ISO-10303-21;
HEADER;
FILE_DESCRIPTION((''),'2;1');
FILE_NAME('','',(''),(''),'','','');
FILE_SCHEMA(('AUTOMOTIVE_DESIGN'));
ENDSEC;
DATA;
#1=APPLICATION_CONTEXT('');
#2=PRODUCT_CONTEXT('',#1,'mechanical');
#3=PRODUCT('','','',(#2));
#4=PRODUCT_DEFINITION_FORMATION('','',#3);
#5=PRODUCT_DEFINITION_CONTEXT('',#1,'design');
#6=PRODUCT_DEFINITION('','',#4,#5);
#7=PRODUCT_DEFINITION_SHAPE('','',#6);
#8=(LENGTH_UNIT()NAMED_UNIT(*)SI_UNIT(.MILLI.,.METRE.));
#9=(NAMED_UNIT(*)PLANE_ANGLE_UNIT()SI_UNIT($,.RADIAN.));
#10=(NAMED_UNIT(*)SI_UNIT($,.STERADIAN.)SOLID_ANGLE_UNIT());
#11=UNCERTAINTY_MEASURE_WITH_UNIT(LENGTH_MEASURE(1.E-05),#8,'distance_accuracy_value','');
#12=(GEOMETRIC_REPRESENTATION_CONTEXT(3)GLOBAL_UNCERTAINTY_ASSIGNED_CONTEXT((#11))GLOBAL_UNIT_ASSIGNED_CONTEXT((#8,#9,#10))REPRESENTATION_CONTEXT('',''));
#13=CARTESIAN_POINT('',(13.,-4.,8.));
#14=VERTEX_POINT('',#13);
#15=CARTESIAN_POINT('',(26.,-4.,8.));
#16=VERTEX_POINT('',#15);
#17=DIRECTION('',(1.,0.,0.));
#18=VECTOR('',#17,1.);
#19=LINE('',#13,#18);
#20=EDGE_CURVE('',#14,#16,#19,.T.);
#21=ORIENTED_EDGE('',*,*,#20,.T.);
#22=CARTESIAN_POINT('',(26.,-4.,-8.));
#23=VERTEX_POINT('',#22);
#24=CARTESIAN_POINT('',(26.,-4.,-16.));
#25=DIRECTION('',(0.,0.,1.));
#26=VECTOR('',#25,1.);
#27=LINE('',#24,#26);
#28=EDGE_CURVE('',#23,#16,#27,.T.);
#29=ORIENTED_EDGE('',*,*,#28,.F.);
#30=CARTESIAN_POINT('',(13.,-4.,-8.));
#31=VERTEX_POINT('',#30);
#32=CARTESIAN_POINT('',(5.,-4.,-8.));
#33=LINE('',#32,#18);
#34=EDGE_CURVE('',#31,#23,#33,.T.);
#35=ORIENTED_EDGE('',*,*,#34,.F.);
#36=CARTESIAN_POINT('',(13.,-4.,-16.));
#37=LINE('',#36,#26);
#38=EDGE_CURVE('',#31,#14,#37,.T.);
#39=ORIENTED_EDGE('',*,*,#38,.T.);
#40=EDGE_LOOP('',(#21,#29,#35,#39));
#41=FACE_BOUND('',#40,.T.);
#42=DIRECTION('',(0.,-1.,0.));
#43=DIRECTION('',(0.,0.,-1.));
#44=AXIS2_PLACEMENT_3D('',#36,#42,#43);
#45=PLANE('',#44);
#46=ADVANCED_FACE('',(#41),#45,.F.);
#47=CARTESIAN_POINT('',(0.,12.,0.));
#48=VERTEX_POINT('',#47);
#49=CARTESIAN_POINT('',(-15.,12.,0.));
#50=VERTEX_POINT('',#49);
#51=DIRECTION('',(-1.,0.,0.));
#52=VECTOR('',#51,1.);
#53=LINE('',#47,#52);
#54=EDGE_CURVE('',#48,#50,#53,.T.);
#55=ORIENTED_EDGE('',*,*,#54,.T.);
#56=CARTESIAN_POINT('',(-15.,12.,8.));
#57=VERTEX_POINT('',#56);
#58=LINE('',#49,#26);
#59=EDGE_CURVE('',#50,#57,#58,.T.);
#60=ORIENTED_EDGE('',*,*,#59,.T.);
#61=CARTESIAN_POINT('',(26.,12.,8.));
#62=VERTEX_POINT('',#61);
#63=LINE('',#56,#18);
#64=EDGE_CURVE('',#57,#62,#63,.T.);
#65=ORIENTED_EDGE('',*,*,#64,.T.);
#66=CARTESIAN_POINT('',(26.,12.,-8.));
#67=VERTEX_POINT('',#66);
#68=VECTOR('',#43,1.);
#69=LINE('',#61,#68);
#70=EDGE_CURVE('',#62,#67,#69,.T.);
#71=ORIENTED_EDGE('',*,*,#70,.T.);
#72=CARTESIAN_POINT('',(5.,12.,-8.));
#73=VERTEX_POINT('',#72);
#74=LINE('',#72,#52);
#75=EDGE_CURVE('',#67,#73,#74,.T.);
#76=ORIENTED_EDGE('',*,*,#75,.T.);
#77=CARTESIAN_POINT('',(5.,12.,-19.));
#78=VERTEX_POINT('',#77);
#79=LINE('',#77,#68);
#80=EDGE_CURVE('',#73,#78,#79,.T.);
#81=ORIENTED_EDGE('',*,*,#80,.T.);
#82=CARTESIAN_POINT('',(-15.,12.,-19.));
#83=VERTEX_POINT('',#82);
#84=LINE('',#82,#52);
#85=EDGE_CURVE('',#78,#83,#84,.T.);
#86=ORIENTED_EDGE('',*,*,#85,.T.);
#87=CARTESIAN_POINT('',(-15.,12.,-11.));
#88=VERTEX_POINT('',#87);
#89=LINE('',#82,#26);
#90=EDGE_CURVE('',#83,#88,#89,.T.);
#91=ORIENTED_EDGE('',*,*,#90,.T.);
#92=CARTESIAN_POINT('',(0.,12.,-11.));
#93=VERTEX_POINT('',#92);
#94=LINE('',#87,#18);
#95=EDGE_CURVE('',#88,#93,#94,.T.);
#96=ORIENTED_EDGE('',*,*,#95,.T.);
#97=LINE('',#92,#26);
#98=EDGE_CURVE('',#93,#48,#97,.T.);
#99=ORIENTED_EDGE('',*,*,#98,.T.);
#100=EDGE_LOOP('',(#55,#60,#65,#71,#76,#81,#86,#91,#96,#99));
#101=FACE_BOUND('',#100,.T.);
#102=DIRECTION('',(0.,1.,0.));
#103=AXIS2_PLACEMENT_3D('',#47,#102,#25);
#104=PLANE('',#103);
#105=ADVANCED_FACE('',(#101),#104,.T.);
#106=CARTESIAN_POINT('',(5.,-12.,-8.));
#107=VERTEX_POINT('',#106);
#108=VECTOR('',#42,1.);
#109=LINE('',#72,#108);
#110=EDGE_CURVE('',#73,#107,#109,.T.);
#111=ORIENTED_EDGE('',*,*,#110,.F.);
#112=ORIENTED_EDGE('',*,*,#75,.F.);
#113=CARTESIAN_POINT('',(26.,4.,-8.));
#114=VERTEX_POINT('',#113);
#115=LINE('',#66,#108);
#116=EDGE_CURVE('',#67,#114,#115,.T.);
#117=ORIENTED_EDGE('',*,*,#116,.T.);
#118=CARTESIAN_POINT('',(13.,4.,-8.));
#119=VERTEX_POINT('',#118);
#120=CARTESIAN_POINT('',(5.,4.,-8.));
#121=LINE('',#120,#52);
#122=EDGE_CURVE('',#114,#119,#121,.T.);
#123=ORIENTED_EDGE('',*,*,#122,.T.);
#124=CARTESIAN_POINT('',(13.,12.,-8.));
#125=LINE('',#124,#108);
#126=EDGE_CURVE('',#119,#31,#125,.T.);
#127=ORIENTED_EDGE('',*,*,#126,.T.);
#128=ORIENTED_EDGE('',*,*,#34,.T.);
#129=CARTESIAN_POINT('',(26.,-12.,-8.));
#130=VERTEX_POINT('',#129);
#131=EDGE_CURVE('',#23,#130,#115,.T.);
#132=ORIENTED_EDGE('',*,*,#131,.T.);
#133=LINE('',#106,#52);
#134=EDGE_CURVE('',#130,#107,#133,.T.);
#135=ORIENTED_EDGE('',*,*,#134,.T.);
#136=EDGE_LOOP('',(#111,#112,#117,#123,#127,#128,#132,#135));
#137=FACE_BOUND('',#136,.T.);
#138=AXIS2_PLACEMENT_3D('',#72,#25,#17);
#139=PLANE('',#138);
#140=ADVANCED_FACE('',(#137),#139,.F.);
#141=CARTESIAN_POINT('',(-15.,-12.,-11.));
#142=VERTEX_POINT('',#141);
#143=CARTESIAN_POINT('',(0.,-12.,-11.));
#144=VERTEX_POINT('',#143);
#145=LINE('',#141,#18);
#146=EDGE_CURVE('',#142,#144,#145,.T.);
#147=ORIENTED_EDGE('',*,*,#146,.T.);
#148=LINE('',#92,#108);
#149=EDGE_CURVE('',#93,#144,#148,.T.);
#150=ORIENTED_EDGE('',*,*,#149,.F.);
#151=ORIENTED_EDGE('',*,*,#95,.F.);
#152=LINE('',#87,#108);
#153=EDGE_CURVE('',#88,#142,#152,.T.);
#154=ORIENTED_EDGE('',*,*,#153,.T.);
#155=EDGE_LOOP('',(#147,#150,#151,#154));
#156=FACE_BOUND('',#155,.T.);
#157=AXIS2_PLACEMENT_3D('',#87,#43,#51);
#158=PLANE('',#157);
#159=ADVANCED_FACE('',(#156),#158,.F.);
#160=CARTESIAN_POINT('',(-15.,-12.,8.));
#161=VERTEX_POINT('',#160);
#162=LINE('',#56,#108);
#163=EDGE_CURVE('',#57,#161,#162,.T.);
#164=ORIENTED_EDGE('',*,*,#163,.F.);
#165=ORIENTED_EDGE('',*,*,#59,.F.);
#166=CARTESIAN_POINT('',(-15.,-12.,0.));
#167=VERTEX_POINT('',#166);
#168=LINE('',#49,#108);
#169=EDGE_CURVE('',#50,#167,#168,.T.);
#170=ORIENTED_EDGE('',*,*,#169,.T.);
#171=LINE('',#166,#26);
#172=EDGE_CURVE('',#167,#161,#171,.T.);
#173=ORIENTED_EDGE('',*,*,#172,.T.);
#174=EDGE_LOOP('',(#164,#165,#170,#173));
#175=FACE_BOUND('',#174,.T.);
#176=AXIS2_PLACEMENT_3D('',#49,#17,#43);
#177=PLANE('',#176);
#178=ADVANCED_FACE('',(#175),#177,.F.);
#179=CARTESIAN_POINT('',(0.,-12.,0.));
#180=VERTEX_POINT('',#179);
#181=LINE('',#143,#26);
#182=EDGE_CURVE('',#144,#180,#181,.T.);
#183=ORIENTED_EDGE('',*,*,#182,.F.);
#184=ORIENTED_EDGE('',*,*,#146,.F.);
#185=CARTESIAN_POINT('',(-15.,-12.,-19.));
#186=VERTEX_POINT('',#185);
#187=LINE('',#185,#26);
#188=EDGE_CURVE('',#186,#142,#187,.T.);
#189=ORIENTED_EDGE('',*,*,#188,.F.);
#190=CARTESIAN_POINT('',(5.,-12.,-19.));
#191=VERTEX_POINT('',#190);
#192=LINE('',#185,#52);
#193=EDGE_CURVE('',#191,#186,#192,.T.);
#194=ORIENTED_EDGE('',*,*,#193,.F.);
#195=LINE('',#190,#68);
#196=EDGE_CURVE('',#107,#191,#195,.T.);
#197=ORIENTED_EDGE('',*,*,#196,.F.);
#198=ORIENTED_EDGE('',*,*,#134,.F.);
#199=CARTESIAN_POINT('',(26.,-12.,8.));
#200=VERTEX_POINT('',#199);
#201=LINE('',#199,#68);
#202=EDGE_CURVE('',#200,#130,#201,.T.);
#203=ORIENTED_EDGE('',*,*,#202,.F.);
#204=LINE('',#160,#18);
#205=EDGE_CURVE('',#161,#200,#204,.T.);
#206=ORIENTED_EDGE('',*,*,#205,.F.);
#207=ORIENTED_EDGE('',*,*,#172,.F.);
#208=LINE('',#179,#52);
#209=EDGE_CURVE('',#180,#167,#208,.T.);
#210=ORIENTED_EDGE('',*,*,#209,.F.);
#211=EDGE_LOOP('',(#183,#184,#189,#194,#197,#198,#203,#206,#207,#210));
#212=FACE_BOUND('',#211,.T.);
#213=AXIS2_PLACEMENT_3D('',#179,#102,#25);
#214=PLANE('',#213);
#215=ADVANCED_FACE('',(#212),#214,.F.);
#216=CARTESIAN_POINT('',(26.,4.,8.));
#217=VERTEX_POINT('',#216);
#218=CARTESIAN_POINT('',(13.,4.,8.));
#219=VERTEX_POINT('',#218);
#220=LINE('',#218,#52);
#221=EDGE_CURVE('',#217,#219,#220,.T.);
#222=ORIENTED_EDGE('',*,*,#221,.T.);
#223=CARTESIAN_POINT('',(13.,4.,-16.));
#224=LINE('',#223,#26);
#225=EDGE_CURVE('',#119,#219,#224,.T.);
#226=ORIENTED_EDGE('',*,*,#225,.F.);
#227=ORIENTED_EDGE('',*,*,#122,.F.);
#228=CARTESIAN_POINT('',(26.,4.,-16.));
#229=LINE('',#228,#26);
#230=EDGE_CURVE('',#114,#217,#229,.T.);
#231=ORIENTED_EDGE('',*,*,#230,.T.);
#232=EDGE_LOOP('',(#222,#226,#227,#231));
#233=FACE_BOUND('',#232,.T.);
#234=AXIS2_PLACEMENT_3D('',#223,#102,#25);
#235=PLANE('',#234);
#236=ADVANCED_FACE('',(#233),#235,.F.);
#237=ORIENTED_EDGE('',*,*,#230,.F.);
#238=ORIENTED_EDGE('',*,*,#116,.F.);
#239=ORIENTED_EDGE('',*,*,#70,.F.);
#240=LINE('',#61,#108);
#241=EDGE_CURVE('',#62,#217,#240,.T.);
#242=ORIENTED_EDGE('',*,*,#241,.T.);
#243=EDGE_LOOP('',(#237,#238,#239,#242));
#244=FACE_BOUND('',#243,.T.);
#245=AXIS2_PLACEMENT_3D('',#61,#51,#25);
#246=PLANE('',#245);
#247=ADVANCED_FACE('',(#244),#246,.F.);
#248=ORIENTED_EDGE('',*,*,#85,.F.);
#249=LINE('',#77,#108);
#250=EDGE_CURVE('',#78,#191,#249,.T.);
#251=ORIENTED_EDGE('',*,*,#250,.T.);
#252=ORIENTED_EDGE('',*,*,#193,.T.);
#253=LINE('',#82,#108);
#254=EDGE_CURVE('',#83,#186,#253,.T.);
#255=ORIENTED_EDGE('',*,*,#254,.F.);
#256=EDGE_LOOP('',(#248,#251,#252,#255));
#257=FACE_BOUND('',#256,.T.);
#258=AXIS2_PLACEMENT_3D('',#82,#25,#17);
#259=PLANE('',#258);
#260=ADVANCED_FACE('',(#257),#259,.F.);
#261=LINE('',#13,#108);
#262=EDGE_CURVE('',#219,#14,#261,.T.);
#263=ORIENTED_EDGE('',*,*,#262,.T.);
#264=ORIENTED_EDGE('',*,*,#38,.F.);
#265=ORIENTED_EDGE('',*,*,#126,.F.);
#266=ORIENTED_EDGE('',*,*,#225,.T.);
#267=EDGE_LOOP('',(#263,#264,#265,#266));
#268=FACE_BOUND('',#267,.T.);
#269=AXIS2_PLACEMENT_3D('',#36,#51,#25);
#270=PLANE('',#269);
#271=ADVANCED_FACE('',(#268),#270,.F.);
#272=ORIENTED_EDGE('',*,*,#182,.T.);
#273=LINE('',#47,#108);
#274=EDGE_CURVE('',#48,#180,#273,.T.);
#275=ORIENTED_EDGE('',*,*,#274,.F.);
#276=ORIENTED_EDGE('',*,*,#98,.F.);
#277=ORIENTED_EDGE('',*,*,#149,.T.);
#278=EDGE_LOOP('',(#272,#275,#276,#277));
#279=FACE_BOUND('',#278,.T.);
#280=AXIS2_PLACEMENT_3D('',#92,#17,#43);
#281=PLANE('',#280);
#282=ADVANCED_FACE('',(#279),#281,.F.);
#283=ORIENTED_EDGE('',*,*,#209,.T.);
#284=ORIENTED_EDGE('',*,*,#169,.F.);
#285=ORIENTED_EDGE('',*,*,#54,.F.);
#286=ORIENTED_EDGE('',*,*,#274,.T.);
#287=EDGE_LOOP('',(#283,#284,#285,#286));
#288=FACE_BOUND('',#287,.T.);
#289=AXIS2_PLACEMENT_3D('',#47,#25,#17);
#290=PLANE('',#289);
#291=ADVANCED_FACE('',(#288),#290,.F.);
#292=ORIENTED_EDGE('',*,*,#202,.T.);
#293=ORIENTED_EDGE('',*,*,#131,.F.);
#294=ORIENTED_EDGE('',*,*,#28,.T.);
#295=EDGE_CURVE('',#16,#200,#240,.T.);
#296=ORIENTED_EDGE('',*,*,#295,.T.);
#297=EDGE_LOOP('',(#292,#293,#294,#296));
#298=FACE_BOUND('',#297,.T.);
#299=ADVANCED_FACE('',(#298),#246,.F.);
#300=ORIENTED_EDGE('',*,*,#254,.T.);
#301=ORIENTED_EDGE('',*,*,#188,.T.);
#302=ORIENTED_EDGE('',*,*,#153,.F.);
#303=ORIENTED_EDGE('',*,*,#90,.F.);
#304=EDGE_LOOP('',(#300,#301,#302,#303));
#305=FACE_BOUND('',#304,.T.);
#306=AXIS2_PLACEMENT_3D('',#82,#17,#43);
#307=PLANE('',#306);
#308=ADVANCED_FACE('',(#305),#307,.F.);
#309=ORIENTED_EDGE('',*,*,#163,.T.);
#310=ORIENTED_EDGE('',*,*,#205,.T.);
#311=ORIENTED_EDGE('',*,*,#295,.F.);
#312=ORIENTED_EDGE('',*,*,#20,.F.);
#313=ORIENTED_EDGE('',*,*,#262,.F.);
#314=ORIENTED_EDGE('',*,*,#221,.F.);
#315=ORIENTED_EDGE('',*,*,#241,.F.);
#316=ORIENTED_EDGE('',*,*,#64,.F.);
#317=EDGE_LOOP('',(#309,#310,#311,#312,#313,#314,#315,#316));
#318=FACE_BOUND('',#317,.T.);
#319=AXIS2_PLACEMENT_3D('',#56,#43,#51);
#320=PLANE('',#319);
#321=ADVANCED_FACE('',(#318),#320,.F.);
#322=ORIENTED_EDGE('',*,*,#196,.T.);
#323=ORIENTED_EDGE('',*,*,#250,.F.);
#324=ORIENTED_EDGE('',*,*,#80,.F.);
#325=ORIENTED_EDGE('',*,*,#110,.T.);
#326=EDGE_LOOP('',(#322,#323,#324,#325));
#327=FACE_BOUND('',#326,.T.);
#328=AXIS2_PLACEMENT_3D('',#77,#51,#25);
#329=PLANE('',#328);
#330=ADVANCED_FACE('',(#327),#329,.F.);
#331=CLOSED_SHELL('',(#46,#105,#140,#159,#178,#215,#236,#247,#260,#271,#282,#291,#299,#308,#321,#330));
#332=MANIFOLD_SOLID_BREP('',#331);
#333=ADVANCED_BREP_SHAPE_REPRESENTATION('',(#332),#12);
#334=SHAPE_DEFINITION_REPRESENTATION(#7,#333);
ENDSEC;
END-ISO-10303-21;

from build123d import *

# Parameters (mm, degrees)
EXTRUDE_1_DEPTH     = 12
SKETCH_2_W          = 13
SKETCH_2_H          = 8
CUT_EXTRUDE_1_DEPTH = 24


with BuildPart() as part:
    # 草图1 → 凸台-拉伸1 (new, symmetric)
    with BuildSketch(Plane(origin=(0, 0, 0), x_dir=(1, 0, 0), z_dir=(0, 1, 0))):
        Polygon((0, 11), (0, 0), (-15, 0), (-15, -8), (26, -8), (26, 8), (5, 8), (5, 19), (-15, 19), (-15, 11), align=None)
    extrude(amount=EXTRUDE_1_DEPTH, both=True)

    # 草图2 → 切除-拉伸1 (cut)
    with BuildSketch(Plane.XY.offset(8)):
        with Locations((19.5, 0)):
            Rectangle(SKETCH_2_W, SKETCH_2_H)
    extrude(amount=-CUT_EXTRUDE_1_DEPTH, mode=Mode.SUBTRACT)


solid = part.part
